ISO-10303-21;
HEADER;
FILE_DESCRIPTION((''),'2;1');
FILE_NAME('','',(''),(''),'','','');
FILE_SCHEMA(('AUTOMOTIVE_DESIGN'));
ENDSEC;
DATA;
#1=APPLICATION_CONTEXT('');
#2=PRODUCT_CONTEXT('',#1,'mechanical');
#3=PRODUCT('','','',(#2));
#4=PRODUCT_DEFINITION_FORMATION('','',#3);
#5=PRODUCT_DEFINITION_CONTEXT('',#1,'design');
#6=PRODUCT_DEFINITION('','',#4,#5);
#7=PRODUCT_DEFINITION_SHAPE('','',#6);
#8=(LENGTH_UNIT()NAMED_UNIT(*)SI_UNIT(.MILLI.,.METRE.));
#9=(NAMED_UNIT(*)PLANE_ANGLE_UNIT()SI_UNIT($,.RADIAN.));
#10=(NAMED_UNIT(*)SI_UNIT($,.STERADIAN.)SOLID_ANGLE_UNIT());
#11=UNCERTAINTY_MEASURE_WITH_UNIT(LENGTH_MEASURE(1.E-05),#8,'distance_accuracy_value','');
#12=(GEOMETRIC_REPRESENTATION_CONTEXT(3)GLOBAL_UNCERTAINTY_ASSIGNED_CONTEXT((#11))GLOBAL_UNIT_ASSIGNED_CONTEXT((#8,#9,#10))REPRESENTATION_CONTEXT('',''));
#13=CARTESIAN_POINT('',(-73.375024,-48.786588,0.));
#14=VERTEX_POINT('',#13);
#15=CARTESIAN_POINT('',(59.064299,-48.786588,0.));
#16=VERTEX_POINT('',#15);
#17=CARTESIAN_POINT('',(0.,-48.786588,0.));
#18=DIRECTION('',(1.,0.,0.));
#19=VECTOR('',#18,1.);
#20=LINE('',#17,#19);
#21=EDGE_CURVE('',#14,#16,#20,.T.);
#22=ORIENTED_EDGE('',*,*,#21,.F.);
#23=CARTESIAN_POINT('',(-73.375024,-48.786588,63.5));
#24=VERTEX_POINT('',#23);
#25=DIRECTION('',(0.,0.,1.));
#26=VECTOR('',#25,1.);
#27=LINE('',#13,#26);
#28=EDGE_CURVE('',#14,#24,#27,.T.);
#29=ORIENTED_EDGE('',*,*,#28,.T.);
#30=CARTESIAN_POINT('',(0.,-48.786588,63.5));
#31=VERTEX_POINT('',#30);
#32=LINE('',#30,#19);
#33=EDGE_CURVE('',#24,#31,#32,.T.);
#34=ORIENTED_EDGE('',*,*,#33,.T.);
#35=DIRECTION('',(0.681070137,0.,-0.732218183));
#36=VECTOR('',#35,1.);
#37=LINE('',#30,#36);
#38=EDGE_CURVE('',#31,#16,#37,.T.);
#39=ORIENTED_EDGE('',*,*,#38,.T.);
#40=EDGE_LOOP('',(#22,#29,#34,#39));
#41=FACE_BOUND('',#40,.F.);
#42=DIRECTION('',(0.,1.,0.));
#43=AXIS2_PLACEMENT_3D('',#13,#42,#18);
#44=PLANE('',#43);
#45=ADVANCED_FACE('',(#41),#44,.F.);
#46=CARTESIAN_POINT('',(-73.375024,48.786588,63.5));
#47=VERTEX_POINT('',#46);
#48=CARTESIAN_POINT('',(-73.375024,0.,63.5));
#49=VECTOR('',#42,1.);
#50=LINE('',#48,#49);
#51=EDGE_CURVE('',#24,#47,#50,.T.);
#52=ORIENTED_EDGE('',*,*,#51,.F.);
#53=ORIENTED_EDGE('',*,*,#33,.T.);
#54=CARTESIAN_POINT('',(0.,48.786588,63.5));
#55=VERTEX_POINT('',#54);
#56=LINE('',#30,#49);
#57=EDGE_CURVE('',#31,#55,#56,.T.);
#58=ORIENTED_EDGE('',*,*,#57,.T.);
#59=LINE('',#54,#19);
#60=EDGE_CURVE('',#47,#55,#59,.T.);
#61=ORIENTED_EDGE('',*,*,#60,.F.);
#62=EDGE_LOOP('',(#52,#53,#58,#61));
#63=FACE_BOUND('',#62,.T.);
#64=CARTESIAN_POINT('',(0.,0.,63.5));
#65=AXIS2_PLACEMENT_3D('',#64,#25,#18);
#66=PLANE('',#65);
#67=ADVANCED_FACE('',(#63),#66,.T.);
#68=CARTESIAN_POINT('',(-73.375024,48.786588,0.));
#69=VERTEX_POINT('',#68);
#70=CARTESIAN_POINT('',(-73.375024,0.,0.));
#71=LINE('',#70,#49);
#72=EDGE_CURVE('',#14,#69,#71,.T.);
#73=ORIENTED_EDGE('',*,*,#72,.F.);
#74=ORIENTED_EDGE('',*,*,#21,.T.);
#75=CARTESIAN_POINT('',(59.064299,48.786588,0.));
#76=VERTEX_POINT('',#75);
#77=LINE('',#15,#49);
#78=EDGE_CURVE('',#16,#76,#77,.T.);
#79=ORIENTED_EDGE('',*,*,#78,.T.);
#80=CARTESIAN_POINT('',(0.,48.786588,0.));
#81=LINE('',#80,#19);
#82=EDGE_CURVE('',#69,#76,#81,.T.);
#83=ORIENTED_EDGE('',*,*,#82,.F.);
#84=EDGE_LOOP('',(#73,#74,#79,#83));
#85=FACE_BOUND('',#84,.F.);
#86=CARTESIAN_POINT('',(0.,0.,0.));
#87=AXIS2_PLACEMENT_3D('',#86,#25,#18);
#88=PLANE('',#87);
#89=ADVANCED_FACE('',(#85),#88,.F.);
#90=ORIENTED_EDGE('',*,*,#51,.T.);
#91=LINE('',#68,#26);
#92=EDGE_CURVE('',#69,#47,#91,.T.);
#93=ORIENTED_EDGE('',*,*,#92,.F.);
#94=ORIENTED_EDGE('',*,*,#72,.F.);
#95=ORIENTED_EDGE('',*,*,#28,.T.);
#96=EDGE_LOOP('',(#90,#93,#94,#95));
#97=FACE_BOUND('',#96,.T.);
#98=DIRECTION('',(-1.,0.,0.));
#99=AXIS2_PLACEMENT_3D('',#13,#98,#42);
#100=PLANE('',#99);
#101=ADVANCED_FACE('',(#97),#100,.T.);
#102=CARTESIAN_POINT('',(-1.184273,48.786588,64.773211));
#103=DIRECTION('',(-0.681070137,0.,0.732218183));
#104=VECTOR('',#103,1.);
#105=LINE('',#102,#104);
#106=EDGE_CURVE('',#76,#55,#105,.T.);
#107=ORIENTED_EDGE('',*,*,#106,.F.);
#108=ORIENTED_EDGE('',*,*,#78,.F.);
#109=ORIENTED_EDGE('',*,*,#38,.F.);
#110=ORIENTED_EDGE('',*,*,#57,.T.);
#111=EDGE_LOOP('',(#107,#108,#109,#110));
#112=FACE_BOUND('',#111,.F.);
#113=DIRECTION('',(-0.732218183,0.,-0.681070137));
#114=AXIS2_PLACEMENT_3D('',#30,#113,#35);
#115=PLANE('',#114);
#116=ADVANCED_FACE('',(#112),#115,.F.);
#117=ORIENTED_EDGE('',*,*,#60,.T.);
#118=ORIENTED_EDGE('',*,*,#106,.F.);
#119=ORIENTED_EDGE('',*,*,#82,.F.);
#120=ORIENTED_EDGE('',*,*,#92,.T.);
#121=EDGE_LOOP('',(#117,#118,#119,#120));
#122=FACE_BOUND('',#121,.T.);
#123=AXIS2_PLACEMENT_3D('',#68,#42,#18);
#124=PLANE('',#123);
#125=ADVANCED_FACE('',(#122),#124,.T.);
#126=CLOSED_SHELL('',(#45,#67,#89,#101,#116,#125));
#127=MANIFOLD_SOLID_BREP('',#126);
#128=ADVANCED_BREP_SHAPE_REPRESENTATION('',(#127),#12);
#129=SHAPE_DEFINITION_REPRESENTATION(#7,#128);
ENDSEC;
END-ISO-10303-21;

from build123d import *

# Parameters (mm, degrees)
F0_W     = 146.750048
F0_H     = 97.573176
F1_DEPTH = 63.5
F3_DEPTH = 97.574176
F5_DEPTH = 97.574176


with BuildPart() as f1:
    # F0 (on Top) → F1 (new body)
    with BuildSketch(Plane.XY):
        Rectangle(F0_W, F0_H)
    extrude(amount=F1_DEPTH)

    # F2 (on face) → F3 (cut, through all)
    with BuildSketch(Plane.XZ.offset(48.786588)):
        Polygon((73.375024, 63.5), (0, 63.5), (73.375024, 0), align=None)
    extrude(amount=-F3_DEPTH, mode=Mode.SUBTRACT)

    # F4 (on face) → F5 (cut, through all)
    with BuildSketch(Plane.XZ.offset(48.786588)):
        Polygon((0, 63.5), (59.064299, 0), (73.375024, 0), align=None)
    extrude(amount=-F5_DEPTH, mode=Mode.SUBTRACT)


solid = f1.part
